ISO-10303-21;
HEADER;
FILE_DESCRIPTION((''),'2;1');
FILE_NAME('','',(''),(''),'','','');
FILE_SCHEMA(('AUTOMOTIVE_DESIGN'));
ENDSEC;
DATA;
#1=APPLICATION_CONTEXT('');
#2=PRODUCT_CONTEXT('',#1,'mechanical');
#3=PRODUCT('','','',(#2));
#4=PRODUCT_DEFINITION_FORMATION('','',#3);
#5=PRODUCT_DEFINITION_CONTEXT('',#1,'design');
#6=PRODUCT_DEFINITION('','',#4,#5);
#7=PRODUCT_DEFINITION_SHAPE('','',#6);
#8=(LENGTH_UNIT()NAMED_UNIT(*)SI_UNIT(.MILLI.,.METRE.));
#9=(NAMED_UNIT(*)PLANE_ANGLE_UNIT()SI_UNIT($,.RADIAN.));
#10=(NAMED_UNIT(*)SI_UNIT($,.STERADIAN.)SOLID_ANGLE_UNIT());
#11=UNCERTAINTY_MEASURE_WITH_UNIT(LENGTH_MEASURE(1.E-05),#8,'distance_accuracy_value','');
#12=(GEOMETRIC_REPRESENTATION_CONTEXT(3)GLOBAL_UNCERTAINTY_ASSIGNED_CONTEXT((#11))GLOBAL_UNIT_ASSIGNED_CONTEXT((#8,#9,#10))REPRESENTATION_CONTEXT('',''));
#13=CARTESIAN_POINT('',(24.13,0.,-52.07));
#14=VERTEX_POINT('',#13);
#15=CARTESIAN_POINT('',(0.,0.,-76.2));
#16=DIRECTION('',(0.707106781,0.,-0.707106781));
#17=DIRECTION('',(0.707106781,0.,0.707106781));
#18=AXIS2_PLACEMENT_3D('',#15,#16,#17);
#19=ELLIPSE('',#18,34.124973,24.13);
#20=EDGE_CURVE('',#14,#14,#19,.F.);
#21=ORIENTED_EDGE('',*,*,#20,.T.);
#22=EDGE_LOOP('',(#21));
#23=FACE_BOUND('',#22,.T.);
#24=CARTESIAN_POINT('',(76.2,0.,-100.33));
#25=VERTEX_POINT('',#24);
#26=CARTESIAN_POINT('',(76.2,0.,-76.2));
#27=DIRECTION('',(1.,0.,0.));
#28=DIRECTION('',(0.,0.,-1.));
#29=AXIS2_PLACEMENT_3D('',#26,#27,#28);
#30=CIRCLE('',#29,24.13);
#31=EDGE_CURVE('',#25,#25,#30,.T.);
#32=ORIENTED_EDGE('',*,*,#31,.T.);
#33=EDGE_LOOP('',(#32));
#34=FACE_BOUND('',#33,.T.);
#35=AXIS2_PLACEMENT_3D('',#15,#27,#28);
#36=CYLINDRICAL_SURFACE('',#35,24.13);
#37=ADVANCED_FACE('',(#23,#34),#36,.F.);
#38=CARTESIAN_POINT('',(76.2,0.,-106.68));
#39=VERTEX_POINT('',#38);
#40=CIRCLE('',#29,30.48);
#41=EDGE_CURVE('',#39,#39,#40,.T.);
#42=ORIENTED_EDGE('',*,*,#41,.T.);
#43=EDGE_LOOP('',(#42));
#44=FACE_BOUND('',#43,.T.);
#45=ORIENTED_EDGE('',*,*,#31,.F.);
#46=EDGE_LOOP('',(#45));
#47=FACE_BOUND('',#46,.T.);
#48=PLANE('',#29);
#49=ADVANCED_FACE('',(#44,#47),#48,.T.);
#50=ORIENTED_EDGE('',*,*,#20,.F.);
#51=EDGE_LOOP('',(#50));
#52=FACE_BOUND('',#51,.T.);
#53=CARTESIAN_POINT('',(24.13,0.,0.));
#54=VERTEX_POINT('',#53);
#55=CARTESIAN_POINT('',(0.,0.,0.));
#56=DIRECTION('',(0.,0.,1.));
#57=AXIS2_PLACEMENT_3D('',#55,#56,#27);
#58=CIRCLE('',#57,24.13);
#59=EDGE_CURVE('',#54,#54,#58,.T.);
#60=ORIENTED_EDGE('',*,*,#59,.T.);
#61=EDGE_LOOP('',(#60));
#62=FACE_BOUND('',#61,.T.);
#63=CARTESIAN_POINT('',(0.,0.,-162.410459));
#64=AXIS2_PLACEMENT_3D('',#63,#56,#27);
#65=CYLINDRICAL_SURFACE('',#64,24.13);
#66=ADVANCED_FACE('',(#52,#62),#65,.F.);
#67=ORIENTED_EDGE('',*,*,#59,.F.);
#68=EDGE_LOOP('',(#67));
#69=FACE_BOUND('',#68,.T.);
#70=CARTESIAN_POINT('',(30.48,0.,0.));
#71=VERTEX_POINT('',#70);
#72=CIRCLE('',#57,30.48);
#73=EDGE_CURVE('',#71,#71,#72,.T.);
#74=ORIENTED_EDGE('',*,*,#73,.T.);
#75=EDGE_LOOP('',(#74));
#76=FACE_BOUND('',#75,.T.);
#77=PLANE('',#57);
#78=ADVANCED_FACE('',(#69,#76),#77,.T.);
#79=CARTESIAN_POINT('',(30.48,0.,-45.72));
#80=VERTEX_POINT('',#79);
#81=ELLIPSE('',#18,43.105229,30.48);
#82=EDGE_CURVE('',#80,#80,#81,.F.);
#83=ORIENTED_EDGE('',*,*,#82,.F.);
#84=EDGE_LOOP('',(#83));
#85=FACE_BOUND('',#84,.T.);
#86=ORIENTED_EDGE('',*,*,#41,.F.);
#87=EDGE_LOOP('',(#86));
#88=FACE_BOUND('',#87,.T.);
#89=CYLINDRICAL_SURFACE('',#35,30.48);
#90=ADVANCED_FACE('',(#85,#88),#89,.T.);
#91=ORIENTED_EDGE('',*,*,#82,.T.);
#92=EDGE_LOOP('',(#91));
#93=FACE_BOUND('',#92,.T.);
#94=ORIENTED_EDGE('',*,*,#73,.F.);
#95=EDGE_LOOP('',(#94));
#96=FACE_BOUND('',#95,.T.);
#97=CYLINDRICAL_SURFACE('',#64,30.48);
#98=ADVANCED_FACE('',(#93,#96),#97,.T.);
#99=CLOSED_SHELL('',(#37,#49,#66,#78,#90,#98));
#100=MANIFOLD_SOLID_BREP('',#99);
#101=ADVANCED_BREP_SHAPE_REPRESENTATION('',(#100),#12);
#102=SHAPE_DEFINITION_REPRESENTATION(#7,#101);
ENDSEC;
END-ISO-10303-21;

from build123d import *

# Parameters (mm, degrees)
SKETCH3_R   = 30.48
SKETCH3_R_2 = 24.13


with BuildPart() as part:
    # Sweep1: sweep along a path in Sketch2
    with BuildLine(Plane(origin=(0, 0, 0), x_dir=(1, 0, 0), z_dir=(0, 1, 0))) as sweep1_path:
        Line((0, 0), (0, 76.2))
        Line((0, 76.2), (76.2, 76.2))
    # Sketch3 → Sweep1 (sweep)
    with BuildSketch(Plane.XY):
        Circle(SKETCH3_R)
        Circle(SKETCH3_R_2, mode=Mode.SUBTRACT)
    sweep(path=sweep1_path.line, transition=Transition.RIGHT)


solid = part.part
